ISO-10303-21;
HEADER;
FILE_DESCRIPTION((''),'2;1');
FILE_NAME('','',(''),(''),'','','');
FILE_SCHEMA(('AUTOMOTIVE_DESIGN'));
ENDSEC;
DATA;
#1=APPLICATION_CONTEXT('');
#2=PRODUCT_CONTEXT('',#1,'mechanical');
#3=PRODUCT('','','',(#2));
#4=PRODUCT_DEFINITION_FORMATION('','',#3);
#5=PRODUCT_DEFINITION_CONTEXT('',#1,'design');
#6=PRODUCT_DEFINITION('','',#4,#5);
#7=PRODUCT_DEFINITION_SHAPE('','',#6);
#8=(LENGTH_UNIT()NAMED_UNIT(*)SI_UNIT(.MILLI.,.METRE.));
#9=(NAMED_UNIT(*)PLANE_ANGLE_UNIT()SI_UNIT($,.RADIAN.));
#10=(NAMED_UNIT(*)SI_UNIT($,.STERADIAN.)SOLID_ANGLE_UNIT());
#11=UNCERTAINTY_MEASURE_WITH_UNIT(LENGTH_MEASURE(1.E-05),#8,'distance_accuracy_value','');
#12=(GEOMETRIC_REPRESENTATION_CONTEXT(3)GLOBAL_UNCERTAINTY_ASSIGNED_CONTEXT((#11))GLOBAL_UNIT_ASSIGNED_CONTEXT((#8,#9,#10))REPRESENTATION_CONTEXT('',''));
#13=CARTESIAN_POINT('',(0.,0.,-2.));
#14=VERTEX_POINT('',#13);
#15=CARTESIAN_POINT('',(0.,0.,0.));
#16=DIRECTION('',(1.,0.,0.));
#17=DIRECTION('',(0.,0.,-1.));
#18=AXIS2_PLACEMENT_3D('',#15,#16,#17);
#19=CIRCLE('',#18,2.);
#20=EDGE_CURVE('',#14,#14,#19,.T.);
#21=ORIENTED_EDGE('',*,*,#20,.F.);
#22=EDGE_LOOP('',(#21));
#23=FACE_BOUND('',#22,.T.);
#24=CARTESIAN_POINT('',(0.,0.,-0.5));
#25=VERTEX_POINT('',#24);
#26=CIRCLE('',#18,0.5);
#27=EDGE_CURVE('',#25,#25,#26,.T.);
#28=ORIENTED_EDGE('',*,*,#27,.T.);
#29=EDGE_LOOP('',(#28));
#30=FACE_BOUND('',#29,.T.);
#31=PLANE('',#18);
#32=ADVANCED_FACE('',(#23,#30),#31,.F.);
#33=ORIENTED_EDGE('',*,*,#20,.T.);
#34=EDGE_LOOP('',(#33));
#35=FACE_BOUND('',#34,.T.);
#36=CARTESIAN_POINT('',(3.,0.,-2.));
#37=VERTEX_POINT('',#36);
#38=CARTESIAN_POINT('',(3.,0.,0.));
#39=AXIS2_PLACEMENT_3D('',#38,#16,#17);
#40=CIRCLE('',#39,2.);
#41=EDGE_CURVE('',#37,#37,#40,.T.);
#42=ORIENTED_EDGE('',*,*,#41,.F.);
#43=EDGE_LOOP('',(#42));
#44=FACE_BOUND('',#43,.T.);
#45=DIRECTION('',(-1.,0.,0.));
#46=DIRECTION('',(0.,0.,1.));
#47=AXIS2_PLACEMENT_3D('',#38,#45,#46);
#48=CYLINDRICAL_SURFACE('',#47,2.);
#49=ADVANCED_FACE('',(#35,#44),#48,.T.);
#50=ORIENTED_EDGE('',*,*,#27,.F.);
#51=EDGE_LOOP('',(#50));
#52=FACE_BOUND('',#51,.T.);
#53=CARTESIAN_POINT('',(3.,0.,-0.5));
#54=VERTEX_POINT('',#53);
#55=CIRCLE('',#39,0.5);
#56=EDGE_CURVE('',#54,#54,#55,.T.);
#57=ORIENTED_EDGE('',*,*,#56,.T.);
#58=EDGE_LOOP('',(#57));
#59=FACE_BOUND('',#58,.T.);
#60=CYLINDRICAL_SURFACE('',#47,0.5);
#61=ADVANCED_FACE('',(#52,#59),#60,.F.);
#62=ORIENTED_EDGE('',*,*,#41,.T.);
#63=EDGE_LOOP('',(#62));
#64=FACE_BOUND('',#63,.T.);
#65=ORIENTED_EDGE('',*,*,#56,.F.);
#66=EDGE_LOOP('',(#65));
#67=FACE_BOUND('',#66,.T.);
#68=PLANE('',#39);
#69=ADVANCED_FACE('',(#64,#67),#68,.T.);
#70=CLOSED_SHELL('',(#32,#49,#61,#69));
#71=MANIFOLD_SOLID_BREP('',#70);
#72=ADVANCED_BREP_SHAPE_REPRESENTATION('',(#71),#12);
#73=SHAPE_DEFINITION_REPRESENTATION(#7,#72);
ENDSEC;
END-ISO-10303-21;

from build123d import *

# Parameters (mm, degrees)
ESBO_O1_R                = 2
ESBO_O1_R_2              = 0.5
RESSALTO_EXTRUS_O1_DEPTH = 3


with BuildPart() as part:
    # Esboço1 → Ressalto-extrusão1 (new body)
    with BuildSketch(Plane(origin=(0, 0, 0), x_dir=(0, 0, -1), z_dir=(1, 0, 0))):
        Circle(ESBO_O1_R)
        Circle(ESBO_O1_R_2, mode=Mode.SUBTRACT)
    extrude(amount=RESSALTO_EXTRUS_O1_DEPTH)


solid = part.part
